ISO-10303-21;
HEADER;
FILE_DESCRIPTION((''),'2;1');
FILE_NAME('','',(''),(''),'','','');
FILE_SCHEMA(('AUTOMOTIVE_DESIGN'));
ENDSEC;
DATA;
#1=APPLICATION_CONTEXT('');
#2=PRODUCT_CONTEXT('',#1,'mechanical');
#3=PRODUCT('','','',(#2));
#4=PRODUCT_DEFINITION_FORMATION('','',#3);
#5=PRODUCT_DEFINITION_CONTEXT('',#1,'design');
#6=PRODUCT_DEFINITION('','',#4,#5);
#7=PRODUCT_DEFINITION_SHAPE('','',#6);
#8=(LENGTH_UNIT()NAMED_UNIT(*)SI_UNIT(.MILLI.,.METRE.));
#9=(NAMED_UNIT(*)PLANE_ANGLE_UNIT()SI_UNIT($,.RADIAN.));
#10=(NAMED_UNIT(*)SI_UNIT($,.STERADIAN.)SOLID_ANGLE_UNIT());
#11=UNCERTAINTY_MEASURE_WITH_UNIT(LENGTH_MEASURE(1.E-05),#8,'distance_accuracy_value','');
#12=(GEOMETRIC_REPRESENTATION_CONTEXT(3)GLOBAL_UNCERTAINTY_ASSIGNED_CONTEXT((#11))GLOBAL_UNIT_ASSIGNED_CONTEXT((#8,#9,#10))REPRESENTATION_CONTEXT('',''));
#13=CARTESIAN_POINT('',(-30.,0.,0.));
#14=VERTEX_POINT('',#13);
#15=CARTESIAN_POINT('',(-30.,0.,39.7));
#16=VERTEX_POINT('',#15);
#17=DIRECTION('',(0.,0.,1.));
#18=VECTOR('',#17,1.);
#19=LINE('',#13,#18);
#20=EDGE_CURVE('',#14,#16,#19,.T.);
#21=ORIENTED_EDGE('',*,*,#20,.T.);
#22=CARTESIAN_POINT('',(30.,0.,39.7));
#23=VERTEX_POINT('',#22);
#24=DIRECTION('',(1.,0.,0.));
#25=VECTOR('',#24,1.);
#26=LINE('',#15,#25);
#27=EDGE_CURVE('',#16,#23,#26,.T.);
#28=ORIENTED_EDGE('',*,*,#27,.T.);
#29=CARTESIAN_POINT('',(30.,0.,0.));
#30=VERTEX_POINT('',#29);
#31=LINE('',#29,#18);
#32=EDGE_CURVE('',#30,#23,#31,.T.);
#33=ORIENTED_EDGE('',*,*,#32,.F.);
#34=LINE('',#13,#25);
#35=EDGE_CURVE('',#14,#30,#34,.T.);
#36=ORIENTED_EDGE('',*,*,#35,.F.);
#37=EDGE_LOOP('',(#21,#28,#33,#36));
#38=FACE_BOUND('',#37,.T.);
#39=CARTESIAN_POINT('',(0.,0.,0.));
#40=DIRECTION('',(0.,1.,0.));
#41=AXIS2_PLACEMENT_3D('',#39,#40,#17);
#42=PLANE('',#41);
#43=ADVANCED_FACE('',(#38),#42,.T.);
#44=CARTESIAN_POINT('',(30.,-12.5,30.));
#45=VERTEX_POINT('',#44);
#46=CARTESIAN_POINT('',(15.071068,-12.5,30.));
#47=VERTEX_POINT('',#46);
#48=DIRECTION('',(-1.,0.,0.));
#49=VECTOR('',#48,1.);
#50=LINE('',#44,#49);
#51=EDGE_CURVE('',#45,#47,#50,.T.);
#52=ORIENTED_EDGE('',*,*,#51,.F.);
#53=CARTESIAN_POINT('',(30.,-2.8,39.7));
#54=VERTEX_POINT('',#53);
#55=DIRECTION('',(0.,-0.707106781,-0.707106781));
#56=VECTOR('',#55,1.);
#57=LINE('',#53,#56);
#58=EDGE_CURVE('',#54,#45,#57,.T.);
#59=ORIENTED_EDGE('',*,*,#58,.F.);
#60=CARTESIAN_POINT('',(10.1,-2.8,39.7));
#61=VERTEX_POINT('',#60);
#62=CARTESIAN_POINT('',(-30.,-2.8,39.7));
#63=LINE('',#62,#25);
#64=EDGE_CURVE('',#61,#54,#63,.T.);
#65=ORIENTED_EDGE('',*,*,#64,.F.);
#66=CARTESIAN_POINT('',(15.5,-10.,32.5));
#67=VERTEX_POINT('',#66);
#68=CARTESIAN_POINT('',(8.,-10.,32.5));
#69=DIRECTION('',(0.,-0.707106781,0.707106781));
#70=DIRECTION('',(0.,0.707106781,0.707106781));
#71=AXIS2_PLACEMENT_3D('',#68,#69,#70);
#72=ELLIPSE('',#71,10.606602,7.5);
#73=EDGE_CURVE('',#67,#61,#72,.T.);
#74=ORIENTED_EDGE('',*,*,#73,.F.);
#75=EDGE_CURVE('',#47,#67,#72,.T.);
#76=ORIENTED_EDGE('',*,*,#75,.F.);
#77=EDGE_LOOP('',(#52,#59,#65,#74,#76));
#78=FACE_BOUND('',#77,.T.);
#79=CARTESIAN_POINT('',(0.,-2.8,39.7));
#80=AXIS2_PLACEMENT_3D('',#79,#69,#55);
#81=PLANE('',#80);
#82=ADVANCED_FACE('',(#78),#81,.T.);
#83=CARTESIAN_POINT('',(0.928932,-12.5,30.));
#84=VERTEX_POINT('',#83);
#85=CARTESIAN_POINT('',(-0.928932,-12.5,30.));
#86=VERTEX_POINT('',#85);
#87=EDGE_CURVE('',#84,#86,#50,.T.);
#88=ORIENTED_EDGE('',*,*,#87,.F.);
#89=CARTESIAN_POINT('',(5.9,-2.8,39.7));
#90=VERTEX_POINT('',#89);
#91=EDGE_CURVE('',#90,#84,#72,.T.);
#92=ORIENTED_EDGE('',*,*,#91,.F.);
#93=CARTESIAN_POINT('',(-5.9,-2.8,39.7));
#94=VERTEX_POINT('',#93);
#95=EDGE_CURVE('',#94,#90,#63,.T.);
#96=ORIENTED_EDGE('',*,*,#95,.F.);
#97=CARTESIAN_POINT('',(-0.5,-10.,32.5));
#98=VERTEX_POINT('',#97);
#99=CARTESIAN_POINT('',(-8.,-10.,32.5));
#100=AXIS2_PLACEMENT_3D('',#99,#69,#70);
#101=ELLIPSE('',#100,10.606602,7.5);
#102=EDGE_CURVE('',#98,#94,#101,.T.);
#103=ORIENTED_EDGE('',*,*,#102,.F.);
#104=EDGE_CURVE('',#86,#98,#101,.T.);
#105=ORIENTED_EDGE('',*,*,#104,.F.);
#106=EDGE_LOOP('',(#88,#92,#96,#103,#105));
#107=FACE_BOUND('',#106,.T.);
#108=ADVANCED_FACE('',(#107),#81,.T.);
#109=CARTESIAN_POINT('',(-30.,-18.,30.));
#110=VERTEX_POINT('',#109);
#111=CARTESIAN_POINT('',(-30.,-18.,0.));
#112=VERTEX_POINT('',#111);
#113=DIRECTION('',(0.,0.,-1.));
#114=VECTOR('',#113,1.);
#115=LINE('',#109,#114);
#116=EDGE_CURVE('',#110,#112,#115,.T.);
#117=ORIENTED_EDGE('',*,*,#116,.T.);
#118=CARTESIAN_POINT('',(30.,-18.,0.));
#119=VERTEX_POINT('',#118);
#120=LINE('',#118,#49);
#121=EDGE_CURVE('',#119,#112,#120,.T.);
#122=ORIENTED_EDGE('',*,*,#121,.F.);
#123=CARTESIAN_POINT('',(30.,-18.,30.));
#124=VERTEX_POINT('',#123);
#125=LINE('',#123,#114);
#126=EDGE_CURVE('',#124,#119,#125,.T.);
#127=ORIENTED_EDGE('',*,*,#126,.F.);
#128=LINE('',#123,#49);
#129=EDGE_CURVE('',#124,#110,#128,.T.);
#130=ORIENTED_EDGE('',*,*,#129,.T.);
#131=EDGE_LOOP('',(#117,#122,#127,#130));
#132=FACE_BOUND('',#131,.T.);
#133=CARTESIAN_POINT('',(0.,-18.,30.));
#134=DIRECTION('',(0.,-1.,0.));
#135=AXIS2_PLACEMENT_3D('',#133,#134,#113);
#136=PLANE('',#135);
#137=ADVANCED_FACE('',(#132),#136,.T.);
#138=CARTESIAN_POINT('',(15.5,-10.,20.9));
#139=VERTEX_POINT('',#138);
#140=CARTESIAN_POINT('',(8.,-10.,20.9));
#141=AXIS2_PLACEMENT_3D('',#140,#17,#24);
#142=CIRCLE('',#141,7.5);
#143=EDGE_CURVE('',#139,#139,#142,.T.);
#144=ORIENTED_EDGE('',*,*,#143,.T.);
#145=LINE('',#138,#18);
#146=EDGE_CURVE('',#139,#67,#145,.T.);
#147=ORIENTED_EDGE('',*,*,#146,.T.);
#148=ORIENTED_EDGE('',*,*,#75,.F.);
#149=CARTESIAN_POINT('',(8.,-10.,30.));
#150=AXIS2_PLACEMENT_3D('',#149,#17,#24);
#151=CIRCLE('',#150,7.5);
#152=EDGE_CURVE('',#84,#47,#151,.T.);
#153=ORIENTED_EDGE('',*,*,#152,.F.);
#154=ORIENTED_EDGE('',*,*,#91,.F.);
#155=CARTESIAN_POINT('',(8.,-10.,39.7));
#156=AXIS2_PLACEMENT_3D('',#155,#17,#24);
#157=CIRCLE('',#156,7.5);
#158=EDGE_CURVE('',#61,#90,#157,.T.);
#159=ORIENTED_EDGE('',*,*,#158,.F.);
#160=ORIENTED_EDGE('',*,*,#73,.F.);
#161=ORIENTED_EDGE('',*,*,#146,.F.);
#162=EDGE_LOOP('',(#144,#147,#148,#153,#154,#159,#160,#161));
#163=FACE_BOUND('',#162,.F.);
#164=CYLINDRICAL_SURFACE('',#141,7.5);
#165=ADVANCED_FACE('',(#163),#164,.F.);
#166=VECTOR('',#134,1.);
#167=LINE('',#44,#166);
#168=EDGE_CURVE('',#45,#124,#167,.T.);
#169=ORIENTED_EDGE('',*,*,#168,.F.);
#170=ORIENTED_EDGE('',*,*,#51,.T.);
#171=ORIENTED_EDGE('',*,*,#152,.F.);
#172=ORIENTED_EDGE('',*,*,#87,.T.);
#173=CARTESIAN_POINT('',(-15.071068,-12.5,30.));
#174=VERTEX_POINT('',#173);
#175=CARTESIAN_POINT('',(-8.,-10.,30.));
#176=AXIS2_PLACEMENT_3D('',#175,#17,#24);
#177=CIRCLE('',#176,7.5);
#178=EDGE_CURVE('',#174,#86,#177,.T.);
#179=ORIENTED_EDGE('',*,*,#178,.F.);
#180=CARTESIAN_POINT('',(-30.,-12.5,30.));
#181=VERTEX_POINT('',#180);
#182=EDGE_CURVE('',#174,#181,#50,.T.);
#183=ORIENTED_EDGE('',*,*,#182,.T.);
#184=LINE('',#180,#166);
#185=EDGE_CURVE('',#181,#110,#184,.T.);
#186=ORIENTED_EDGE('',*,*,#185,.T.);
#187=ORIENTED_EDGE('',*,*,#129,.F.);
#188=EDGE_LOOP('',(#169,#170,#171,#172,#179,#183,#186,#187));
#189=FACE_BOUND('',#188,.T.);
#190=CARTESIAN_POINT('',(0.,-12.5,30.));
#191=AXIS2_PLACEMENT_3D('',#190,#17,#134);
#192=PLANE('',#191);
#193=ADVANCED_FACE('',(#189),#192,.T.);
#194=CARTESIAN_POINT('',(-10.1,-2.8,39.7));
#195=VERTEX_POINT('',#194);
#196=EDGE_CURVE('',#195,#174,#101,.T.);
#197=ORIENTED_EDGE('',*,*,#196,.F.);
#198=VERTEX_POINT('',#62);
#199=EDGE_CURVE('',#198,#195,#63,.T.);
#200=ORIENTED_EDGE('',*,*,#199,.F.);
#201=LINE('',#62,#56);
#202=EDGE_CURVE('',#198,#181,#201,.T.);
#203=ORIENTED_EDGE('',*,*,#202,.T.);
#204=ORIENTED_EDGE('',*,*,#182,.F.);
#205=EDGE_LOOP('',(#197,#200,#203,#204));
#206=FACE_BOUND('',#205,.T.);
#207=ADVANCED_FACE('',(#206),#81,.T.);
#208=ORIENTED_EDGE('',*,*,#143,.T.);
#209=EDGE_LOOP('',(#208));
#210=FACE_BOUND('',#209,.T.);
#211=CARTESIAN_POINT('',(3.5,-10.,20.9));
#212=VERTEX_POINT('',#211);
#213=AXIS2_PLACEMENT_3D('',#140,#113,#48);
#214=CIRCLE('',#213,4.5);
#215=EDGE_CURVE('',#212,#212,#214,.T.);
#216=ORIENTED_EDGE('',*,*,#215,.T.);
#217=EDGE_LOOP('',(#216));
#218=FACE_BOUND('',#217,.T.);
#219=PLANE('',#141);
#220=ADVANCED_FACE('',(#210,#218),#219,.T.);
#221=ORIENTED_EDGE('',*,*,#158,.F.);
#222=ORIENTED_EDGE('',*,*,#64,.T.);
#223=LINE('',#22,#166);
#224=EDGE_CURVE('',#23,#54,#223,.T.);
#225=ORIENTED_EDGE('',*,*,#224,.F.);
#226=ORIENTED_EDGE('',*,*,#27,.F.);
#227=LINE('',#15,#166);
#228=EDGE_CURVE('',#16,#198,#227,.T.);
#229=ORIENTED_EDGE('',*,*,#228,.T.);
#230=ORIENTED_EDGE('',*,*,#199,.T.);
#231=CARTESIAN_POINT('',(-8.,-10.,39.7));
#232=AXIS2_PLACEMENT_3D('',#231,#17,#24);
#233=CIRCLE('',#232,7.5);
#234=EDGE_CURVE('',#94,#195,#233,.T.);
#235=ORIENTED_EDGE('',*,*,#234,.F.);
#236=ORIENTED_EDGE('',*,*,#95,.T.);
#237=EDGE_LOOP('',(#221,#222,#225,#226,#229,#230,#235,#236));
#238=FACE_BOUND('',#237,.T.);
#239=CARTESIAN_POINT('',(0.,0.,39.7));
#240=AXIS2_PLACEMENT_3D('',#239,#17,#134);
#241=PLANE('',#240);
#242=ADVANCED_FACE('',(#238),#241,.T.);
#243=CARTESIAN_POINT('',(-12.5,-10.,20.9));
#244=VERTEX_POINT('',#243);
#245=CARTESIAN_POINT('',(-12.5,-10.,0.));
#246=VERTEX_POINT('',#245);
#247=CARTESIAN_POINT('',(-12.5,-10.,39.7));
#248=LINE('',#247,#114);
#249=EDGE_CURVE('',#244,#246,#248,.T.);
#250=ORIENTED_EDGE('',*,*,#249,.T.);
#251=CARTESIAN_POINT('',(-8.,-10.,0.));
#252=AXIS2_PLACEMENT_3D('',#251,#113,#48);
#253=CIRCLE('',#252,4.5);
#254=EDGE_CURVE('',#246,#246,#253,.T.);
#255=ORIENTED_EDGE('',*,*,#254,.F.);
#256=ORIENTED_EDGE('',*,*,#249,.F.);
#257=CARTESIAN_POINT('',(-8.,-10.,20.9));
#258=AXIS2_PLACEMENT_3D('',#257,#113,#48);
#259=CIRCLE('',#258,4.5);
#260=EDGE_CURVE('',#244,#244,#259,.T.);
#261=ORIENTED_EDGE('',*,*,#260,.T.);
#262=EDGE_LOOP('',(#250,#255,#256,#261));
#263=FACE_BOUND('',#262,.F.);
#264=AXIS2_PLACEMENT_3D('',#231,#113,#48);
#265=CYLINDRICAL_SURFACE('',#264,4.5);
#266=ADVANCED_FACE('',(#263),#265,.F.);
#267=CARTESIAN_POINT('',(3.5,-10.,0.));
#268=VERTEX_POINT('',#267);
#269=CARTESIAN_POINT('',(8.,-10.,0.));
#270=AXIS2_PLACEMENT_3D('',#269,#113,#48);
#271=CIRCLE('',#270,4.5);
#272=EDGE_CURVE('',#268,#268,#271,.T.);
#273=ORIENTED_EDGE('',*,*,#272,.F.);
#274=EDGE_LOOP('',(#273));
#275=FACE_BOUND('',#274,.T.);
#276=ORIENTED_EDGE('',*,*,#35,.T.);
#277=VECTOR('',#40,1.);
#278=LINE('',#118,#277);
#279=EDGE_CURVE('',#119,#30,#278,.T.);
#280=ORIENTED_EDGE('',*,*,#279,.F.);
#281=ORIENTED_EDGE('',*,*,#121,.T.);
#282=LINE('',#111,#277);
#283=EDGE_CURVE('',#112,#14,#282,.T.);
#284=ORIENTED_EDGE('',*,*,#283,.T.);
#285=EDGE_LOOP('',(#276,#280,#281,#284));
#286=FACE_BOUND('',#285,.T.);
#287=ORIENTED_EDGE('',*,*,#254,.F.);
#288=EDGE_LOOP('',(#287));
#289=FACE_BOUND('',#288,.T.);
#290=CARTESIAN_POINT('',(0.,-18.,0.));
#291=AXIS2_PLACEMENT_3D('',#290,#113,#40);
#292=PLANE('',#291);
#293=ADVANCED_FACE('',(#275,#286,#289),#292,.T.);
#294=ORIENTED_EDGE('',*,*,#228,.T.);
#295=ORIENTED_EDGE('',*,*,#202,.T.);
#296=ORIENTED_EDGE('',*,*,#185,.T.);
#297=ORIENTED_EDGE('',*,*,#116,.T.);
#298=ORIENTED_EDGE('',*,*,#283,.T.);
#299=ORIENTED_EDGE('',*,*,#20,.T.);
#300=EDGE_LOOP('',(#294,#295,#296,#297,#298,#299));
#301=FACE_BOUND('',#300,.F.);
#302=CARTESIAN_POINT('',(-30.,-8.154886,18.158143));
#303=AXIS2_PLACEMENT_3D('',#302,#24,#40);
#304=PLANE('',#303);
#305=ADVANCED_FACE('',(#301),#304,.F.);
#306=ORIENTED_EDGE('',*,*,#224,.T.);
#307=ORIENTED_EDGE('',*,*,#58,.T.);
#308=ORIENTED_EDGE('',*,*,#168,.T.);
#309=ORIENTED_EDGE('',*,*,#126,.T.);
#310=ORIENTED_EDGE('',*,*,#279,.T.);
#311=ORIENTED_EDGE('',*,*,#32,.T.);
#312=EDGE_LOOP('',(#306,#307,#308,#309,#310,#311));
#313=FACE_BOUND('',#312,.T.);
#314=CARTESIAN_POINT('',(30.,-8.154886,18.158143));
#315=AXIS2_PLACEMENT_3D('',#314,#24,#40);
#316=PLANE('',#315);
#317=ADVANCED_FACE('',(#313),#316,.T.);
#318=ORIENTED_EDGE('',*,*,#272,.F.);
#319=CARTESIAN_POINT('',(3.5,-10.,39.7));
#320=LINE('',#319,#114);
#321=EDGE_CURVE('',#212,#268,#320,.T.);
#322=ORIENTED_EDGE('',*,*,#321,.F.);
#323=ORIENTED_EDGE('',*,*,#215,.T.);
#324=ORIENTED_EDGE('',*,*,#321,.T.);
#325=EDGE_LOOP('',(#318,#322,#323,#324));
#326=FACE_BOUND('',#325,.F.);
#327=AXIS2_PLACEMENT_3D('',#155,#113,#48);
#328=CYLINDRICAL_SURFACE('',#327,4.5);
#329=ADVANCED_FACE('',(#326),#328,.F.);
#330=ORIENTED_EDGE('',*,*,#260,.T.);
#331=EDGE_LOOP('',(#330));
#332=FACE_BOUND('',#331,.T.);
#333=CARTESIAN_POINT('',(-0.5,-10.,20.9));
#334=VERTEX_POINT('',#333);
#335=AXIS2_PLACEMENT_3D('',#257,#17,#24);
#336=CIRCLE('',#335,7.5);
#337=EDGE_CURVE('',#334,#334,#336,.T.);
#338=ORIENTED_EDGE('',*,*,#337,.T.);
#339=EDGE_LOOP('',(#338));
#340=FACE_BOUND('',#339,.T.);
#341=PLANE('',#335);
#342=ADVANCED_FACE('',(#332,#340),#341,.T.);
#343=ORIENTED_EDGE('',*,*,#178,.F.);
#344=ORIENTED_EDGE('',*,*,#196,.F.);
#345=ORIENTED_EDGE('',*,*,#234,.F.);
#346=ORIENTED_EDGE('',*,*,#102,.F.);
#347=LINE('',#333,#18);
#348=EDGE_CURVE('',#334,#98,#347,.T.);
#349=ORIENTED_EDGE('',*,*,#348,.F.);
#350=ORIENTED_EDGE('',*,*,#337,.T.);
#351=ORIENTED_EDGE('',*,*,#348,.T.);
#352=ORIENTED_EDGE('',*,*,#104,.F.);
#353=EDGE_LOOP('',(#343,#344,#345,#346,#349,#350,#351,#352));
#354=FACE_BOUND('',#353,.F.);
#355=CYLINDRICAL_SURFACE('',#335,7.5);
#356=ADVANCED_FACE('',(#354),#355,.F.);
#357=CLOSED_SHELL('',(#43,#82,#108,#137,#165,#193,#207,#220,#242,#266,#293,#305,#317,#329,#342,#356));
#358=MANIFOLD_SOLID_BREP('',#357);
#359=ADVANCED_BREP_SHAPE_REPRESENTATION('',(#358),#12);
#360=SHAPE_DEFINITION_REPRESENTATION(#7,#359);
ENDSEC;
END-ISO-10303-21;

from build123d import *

# Parameters (mm, degrees)
F1_DEPTH       = 30
F3_D           = 9
F3_CBORE_D     = 15
F3_CBORE_DEPTH = 18.8


with BuildPart() as f1:
    # F0 (on Right) → F1 (new body, symmetric)
    with BuildSketch(Plane.YZ):
        Polygon((-18, 0), (0, 0), (0, 39.7), (-2.8, 39.7), (-12.5, 30), (-18, 30), align=None)
    extrude(amount=F1_DEPTH, both=True)

    # F3 (through all)
    with Locations(Plane.XY.offset(39.7)):
        with Locations((-8, -10), (8, -10)):
            CounterBoreHole(F3_D / 2, F3_CBORE_D / 2, F3_CBORE_DEPTH)


solid = f1.part
